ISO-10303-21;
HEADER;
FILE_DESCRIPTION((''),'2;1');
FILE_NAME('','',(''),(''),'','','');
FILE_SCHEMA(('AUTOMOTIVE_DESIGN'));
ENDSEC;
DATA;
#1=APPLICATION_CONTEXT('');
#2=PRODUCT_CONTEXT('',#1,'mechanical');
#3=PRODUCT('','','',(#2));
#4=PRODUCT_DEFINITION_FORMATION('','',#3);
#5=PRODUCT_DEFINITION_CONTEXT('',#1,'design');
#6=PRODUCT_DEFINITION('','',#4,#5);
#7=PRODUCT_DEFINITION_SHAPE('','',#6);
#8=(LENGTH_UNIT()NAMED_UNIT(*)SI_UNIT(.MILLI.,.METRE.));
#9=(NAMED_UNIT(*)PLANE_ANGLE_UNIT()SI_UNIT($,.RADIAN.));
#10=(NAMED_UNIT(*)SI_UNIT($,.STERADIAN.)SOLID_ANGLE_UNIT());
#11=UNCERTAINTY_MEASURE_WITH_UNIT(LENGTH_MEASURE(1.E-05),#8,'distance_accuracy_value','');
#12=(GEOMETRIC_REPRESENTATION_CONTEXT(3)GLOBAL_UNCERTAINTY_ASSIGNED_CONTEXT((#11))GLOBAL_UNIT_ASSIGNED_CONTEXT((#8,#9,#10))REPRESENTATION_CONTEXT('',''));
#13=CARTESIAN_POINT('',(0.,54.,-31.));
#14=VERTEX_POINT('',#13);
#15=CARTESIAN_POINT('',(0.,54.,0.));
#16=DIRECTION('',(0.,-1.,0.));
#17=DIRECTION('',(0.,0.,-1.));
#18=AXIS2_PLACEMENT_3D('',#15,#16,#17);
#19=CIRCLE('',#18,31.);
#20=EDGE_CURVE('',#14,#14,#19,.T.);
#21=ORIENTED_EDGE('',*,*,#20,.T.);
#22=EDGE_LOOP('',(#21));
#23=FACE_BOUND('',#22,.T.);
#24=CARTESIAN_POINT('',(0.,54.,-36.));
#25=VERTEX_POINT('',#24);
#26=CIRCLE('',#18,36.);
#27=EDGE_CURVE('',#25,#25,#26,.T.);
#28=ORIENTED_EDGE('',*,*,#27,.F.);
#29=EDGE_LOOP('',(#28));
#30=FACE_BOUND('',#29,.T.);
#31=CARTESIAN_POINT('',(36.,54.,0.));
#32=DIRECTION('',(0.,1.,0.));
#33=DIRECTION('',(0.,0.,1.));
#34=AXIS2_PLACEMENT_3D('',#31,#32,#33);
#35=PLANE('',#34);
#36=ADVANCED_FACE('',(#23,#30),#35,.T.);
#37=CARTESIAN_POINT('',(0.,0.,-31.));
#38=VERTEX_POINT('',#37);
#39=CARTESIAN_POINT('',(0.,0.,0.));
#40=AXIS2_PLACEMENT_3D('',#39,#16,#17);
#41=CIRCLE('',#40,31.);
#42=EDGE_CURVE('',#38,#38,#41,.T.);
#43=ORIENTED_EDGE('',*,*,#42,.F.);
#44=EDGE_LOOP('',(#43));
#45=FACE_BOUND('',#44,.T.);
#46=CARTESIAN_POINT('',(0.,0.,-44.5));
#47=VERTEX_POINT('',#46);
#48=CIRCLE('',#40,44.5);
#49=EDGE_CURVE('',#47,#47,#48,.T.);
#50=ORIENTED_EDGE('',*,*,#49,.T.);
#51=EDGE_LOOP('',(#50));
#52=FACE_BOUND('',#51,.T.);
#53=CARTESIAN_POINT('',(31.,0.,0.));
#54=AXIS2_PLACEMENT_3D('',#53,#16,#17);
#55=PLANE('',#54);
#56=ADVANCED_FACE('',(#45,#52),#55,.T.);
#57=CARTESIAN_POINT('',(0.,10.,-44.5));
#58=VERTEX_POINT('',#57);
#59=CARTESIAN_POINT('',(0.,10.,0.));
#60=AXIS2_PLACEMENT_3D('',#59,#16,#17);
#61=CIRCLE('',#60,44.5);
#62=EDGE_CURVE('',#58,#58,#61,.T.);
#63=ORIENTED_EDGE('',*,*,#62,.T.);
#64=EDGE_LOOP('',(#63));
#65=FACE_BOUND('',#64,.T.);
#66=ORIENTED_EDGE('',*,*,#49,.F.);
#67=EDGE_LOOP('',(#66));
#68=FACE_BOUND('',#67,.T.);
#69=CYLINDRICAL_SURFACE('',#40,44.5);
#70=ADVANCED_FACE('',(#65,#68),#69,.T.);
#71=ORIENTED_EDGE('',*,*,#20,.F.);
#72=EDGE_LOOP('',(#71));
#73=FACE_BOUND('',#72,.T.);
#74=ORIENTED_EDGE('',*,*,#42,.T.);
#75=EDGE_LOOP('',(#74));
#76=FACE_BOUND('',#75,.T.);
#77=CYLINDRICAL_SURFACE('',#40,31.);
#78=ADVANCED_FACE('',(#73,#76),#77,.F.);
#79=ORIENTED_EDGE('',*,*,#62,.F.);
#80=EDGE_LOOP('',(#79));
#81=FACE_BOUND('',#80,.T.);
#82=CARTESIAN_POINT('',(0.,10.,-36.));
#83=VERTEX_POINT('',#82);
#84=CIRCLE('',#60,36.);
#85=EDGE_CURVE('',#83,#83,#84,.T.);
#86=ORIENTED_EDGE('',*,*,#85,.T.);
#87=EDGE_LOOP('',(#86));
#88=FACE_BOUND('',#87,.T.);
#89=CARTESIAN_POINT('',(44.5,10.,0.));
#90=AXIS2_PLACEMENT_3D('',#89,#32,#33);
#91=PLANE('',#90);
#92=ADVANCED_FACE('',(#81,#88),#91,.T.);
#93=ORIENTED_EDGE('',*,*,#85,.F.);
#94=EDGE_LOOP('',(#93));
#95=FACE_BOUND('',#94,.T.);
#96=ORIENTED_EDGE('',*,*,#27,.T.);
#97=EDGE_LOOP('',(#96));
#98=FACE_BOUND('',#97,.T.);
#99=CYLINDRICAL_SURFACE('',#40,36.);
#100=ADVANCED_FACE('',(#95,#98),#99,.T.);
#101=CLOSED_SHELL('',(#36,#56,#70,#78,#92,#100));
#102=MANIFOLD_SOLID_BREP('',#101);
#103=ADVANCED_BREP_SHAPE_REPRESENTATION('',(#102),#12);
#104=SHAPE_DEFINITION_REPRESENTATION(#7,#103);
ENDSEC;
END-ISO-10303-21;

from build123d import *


with BuildPart() as part:
    # Sketch1 → Revolve1 (revolve)
    with BuildSketch(Plane.XY, mode=Mode.PRIVATE) as revolve1_sk:
        Polygon((31, 0), (44.5, 0), (44.5, 10), (36, 10), (36, 54), (31, 54), align=None)
    revolve(revolve1_sk.sketch.rotate(Axis((0, 0, 0), (0, 1, 0)), 90), axis=Axis((0, 0, 0), (0, 1, 0)))


solid = part.part
